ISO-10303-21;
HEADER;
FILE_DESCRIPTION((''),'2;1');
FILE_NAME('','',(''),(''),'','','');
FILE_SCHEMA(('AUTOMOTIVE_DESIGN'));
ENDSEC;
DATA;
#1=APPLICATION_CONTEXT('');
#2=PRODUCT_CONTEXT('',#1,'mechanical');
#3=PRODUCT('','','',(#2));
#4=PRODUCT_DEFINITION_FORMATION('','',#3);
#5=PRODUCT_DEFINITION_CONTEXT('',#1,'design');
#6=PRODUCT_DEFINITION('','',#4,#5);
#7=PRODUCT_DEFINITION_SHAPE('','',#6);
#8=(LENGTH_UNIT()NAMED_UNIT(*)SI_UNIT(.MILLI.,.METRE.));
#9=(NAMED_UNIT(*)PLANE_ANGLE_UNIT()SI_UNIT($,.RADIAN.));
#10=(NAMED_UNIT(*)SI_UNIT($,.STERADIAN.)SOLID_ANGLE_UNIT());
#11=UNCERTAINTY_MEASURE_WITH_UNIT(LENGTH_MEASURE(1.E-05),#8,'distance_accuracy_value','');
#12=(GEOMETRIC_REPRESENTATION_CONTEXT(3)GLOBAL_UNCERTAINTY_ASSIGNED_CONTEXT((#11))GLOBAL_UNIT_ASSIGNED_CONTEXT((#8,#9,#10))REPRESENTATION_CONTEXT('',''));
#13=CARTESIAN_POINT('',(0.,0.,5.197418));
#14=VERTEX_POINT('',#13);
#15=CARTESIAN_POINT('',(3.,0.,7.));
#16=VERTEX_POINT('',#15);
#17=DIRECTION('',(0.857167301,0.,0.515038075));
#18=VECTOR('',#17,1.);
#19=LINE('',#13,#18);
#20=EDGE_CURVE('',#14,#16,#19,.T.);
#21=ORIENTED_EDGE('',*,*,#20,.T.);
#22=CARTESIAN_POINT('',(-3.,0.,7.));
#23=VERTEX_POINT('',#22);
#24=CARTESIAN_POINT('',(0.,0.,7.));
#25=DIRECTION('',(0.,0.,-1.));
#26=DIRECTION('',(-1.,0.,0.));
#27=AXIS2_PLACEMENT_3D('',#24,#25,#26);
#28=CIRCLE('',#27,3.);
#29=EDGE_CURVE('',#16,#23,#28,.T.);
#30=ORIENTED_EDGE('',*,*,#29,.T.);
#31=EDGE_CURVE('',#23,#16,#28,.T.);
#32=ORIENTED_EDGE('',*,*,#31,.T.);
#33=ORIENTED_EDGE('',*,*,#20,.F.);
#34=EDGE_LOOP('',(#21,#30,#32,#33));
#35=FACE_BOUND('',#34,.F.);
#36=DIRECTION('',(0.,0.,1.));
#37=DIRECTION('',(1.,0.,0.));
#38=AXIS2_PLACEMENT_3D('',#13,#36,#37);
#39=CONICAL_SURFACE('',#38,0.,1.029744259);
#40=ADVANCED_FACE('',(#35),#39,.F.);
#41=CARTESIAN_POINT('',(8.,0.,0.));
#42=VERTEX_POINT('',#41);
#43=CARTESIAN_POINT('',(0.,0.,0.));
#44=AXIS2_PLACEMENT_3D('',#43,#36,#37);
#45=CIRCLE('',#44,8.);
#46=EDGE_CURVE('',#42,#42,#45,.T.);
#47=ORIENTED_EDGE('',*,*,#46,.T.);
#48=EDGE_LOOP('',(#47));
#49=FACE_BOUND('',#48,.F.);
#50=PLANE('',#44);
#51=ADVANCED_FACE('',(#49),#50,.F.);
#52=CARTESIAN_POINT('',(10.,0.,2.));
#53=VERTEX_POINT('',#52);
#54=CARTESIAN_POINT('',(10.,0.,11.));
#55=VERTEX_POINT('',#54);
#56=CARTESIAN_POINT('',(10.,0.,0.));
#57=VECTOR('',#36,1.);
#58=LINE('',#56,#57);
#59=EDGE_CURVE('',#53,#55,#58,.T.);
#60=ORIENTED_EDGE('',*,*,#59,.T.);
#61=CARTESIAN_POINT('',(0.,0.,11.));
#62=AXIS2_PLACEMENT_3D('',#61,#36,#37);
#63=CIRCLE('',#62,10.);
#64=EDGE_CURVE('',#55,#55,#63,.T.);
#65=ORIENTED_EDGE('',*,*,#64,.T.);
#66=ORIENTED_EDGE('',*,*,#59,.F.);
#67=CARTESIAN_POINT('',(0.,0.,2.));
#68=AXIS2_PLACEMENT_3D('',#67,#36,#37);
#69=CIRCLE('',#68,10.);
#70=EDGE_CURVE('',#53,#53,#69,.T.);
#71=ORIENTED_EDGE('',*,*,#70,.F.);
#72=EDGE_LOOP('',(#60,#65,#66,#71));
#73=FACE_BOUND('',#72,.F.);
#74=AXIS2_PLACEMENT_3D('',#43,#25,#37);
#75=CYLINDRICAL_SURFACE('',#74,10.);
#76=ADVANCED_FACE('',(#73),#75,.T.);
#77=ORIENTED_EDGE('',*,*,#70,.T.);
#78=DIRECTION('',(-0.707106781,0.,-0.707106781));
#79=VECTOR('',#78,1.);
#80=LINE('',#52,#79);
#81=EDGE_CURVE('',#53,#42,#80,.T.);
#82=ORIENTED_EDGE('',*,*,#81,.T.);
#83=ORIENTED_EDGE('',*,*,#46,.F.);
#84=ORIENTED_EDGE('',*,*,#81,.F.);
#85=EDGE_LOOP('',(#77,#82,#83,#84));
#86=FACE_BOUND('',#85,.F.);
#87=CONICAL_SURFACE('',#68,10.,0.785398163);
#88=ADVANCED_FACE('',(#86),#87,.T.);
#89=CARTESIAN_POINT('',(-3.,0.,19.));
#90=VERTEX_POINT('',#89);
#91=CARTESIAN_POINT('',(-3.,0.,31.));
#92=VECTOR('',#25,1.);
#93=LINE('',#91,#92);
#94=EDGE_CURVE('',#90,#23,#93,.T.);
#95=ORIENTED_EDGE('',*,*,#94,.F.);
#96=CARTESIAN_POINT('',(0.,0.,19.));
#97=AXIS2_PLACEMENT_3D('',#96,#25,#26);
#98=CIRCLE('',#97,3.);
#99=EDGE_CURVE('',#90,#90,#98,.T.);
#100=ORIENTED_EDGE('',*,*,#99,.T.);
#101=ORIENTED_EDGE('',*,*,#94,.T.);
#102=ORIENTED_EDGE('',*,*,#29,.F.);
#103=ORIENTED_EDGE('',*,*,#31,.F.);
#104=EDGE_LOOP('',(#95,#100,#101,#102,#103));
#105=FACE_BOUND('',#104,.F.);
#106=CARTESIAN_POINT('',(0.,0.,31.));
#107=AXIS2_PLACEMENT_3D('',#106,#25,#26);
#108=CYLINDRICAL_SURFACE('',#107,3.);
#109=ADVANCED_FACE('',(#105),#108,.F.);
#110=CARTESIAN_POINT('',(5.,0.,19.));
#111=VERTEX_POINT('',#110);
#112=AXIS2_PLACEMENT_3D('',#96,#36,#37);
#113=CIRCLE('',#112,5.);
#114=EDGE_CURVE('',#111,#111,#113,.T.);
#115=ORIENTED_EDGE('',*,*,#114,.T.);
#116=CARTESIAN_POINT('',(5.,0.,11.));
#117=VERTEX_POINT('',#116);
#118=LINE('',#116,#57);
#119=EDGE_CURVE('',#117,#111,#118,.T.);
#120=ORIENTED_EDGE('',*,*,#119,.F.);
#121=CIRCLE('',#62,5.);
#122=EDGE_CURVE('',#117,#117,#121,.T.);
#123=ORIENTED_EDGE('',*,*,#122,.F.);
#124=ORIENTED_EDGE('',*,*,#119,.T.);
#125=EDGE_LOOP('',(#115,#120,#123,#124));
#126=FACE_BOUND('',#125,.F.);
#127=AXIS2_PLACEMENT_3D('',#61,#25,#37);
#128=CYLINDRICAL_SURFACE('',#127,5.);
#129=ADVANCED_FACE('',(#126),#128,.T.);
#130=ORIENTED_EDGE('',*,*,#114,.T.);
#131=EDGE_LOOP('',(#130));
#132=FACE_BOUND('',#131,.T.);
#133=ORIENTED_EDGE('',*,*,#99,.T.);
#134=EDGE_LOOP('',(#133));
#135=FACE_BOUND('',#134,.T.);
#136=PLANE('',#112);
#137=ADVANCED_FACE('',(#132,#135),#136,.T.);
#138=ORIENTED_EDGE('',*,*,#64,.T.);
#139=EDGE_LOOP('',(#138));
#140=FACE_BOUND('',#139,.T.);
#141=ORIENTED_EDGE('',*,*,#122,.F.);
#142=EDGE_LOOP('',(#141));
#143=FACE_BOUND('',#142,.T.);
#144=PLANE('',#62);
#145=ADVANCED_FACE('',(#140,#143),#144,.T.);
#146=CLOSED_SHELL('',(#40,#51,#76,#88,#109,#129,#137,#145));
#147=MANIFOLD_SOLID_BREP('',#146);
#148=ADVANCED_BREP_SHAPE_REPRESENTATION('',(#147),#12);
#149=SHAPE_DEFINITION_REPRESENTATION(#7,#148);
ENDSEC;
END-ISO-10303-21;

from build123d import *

# Parameters (mm, degrees)
F0_R     = 10
F1_DEPTH = 11
F2_R     = 5
F3_DEPTH = 8
F5_D     = 6
F5_DEPTH = 12
F5_TIP   = 1.8025818571
F6_SIZE  = 2


with BuildPart() as f1:
    # F0 (on Top) → F1 (new body)
    with BuildSketch(Plane.XY):
        Circle(F0_R)
    extrude(amount=F1_DEPTH)

    # F2 (on face) → F3 (join)
    with BuildSketch(Plane.XY.offset(11)):
        Circle(F2_R)
    extrude(amount=F3_DEPTH)

    # F5
    with Locations(Plane.XY.offset(19)):
        with Locations((0, 0)):
            Hole(F5_D / 2, depth=F5_DEPTH)
            with Locations((0, 0, -(F5_DEPTH + F5_TIP / 2))):  # 118° drill point
                Cone(0, F5_D / 2, F5_TIP, mode=Mode.SUBTRACT)

    # F6
    f6_edges = [f1.edges().sort_by_distance(p)[0] for p in [
        (-10, 0, 0),
    ]]
    chamfer(f6_edges, length=F6_SIZE)


solid = f1.part
